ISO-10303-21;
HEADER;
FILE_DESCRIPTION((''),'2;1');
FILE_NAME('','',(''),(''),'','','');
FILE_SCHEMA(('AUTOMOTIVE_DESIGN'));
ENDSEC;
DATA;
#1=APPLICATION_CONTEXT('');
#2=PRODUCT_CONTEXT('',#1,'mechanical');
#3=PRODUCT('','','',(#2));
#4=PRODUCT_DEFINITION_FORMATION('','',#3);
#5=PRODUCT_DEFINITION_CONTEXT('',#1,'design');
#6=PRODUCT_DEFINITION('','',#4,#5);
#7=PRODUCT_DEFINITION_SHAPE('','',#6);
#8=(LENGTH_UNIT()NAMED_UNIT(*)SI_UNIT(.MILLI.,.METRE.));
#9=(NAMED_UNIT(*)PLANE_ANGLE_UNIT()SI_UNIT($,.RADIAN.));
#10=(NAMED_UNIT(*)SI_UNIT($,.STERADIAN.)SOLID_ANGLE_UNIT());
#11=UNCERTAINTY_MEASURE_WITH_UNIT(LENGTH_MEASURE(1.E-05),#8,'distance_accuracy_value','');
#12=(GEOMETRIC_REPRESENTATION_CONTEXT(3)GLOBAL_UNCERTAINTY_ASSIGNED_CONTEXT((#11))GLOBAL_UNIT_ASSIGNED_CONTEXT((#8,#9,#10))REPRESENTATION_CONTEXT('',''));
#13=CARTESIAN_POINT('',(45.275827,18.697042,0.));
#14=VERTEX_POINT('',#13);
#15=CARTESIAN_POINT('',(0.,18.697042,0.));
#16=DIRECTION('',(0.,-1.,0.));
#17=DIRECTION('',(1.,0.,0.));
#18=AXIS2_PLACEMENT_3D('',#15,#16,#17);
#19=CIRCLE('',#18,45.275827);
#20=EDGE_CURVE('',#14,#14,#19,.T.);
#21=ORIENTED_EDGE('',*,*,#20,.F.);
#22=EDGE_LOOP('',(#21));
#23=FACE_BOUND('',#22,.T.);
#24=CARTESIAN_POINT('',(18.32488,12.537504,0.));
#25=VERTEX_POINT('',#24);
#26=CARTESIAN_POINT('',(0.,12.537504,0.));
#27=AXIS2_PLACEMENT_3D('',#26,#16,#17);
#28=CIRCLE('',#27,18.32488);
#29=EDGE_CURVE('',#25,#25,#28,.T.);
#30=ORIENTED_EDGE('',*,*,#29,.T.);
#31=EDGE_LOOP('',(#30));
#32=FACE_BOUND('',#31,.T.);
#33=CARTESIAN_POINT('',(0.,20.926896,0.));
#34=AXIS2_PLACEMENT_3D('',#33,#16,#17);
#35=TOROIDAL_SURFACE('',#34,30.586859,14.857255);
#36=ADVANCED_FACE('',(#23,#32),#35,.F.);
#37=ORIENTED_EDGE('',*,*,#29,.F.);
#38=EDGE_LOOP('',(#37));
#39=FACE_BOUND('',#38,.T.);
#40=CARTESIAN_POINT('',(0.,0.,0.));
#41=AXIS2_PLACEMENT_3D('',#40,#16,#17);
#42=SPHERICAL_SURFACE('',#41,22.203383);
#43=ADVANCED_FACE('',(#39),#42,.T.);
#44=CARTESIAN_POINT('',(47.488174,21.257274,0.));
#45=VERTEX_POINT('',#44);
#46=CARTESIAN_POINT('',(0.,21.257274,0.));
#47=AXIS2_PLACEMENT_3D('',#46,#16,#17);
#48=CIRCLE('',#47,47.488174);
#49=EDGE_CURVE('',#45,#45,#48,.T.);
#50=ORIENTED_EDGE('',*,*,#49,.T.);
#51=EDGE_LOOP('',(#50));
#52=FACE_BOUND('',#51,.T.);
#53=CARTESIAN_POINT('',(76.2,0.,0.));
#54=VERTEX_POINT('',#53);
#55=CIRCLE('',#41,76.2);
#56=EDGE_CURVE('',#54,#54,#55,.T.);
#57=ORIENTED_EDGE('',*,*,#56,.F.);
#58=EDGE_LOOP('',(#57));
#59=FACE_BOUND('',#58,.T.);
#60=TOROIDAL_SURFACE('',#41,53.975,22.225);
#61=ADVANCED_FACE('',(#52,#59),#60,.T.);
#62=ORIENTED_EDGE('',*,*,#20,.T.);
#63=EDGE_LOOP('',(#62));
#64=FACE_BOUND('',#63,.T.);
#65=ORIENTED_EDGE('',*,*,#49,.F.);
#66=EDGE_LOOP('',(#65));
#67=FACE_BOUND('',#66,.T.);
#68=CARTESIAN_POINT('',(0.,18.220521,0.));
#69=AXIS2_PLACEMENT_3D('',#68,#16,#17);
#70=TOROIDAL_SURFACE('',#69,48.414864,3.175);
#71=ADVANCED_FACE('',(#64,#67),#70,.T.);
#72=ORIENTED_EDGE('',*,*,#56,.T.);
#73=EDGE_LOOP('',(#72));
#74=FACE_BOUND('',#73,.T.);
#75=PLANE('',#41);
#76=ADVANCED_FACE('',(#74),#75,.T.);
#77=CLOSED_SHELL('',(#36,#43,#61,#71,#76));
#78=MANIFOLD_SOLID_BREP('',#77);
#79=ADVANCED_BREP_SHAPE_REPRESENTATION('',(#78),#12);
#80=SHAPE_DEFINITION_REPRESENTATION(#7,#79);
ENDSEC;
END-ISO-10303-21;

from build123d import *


with BuildPart() as part:
    # Sketch1 → Revolve1 (revolve)
    with BuildSketch(Plane.XY):
        with BuildLine():
            Line((0, 0), (76.2, 0))
            ThreePointArc((76.2, 0), (67.199615798, 17.862255232), (47.4881744, 21.257274487))
            ThreePointArc((47.4881744, 21.257274487), (46.012525152, 20.296429021), (45.275826794, 18.697041563))
            ThreePointArc((45.275826794, 18.697041563), (33.897077144, 6.443095124), (18.324879741, 12.537503622))
            ThreePointArc((18.324879741, 12.537503622), (10.358938662, 19.638803537), (0, 22.203382953))
            Line((0, 22.203382953), (0, 0))
        make_face()
    revolve(axis=Axis((0, 0, 0), (0, 1, 0)))


solid = part.part
